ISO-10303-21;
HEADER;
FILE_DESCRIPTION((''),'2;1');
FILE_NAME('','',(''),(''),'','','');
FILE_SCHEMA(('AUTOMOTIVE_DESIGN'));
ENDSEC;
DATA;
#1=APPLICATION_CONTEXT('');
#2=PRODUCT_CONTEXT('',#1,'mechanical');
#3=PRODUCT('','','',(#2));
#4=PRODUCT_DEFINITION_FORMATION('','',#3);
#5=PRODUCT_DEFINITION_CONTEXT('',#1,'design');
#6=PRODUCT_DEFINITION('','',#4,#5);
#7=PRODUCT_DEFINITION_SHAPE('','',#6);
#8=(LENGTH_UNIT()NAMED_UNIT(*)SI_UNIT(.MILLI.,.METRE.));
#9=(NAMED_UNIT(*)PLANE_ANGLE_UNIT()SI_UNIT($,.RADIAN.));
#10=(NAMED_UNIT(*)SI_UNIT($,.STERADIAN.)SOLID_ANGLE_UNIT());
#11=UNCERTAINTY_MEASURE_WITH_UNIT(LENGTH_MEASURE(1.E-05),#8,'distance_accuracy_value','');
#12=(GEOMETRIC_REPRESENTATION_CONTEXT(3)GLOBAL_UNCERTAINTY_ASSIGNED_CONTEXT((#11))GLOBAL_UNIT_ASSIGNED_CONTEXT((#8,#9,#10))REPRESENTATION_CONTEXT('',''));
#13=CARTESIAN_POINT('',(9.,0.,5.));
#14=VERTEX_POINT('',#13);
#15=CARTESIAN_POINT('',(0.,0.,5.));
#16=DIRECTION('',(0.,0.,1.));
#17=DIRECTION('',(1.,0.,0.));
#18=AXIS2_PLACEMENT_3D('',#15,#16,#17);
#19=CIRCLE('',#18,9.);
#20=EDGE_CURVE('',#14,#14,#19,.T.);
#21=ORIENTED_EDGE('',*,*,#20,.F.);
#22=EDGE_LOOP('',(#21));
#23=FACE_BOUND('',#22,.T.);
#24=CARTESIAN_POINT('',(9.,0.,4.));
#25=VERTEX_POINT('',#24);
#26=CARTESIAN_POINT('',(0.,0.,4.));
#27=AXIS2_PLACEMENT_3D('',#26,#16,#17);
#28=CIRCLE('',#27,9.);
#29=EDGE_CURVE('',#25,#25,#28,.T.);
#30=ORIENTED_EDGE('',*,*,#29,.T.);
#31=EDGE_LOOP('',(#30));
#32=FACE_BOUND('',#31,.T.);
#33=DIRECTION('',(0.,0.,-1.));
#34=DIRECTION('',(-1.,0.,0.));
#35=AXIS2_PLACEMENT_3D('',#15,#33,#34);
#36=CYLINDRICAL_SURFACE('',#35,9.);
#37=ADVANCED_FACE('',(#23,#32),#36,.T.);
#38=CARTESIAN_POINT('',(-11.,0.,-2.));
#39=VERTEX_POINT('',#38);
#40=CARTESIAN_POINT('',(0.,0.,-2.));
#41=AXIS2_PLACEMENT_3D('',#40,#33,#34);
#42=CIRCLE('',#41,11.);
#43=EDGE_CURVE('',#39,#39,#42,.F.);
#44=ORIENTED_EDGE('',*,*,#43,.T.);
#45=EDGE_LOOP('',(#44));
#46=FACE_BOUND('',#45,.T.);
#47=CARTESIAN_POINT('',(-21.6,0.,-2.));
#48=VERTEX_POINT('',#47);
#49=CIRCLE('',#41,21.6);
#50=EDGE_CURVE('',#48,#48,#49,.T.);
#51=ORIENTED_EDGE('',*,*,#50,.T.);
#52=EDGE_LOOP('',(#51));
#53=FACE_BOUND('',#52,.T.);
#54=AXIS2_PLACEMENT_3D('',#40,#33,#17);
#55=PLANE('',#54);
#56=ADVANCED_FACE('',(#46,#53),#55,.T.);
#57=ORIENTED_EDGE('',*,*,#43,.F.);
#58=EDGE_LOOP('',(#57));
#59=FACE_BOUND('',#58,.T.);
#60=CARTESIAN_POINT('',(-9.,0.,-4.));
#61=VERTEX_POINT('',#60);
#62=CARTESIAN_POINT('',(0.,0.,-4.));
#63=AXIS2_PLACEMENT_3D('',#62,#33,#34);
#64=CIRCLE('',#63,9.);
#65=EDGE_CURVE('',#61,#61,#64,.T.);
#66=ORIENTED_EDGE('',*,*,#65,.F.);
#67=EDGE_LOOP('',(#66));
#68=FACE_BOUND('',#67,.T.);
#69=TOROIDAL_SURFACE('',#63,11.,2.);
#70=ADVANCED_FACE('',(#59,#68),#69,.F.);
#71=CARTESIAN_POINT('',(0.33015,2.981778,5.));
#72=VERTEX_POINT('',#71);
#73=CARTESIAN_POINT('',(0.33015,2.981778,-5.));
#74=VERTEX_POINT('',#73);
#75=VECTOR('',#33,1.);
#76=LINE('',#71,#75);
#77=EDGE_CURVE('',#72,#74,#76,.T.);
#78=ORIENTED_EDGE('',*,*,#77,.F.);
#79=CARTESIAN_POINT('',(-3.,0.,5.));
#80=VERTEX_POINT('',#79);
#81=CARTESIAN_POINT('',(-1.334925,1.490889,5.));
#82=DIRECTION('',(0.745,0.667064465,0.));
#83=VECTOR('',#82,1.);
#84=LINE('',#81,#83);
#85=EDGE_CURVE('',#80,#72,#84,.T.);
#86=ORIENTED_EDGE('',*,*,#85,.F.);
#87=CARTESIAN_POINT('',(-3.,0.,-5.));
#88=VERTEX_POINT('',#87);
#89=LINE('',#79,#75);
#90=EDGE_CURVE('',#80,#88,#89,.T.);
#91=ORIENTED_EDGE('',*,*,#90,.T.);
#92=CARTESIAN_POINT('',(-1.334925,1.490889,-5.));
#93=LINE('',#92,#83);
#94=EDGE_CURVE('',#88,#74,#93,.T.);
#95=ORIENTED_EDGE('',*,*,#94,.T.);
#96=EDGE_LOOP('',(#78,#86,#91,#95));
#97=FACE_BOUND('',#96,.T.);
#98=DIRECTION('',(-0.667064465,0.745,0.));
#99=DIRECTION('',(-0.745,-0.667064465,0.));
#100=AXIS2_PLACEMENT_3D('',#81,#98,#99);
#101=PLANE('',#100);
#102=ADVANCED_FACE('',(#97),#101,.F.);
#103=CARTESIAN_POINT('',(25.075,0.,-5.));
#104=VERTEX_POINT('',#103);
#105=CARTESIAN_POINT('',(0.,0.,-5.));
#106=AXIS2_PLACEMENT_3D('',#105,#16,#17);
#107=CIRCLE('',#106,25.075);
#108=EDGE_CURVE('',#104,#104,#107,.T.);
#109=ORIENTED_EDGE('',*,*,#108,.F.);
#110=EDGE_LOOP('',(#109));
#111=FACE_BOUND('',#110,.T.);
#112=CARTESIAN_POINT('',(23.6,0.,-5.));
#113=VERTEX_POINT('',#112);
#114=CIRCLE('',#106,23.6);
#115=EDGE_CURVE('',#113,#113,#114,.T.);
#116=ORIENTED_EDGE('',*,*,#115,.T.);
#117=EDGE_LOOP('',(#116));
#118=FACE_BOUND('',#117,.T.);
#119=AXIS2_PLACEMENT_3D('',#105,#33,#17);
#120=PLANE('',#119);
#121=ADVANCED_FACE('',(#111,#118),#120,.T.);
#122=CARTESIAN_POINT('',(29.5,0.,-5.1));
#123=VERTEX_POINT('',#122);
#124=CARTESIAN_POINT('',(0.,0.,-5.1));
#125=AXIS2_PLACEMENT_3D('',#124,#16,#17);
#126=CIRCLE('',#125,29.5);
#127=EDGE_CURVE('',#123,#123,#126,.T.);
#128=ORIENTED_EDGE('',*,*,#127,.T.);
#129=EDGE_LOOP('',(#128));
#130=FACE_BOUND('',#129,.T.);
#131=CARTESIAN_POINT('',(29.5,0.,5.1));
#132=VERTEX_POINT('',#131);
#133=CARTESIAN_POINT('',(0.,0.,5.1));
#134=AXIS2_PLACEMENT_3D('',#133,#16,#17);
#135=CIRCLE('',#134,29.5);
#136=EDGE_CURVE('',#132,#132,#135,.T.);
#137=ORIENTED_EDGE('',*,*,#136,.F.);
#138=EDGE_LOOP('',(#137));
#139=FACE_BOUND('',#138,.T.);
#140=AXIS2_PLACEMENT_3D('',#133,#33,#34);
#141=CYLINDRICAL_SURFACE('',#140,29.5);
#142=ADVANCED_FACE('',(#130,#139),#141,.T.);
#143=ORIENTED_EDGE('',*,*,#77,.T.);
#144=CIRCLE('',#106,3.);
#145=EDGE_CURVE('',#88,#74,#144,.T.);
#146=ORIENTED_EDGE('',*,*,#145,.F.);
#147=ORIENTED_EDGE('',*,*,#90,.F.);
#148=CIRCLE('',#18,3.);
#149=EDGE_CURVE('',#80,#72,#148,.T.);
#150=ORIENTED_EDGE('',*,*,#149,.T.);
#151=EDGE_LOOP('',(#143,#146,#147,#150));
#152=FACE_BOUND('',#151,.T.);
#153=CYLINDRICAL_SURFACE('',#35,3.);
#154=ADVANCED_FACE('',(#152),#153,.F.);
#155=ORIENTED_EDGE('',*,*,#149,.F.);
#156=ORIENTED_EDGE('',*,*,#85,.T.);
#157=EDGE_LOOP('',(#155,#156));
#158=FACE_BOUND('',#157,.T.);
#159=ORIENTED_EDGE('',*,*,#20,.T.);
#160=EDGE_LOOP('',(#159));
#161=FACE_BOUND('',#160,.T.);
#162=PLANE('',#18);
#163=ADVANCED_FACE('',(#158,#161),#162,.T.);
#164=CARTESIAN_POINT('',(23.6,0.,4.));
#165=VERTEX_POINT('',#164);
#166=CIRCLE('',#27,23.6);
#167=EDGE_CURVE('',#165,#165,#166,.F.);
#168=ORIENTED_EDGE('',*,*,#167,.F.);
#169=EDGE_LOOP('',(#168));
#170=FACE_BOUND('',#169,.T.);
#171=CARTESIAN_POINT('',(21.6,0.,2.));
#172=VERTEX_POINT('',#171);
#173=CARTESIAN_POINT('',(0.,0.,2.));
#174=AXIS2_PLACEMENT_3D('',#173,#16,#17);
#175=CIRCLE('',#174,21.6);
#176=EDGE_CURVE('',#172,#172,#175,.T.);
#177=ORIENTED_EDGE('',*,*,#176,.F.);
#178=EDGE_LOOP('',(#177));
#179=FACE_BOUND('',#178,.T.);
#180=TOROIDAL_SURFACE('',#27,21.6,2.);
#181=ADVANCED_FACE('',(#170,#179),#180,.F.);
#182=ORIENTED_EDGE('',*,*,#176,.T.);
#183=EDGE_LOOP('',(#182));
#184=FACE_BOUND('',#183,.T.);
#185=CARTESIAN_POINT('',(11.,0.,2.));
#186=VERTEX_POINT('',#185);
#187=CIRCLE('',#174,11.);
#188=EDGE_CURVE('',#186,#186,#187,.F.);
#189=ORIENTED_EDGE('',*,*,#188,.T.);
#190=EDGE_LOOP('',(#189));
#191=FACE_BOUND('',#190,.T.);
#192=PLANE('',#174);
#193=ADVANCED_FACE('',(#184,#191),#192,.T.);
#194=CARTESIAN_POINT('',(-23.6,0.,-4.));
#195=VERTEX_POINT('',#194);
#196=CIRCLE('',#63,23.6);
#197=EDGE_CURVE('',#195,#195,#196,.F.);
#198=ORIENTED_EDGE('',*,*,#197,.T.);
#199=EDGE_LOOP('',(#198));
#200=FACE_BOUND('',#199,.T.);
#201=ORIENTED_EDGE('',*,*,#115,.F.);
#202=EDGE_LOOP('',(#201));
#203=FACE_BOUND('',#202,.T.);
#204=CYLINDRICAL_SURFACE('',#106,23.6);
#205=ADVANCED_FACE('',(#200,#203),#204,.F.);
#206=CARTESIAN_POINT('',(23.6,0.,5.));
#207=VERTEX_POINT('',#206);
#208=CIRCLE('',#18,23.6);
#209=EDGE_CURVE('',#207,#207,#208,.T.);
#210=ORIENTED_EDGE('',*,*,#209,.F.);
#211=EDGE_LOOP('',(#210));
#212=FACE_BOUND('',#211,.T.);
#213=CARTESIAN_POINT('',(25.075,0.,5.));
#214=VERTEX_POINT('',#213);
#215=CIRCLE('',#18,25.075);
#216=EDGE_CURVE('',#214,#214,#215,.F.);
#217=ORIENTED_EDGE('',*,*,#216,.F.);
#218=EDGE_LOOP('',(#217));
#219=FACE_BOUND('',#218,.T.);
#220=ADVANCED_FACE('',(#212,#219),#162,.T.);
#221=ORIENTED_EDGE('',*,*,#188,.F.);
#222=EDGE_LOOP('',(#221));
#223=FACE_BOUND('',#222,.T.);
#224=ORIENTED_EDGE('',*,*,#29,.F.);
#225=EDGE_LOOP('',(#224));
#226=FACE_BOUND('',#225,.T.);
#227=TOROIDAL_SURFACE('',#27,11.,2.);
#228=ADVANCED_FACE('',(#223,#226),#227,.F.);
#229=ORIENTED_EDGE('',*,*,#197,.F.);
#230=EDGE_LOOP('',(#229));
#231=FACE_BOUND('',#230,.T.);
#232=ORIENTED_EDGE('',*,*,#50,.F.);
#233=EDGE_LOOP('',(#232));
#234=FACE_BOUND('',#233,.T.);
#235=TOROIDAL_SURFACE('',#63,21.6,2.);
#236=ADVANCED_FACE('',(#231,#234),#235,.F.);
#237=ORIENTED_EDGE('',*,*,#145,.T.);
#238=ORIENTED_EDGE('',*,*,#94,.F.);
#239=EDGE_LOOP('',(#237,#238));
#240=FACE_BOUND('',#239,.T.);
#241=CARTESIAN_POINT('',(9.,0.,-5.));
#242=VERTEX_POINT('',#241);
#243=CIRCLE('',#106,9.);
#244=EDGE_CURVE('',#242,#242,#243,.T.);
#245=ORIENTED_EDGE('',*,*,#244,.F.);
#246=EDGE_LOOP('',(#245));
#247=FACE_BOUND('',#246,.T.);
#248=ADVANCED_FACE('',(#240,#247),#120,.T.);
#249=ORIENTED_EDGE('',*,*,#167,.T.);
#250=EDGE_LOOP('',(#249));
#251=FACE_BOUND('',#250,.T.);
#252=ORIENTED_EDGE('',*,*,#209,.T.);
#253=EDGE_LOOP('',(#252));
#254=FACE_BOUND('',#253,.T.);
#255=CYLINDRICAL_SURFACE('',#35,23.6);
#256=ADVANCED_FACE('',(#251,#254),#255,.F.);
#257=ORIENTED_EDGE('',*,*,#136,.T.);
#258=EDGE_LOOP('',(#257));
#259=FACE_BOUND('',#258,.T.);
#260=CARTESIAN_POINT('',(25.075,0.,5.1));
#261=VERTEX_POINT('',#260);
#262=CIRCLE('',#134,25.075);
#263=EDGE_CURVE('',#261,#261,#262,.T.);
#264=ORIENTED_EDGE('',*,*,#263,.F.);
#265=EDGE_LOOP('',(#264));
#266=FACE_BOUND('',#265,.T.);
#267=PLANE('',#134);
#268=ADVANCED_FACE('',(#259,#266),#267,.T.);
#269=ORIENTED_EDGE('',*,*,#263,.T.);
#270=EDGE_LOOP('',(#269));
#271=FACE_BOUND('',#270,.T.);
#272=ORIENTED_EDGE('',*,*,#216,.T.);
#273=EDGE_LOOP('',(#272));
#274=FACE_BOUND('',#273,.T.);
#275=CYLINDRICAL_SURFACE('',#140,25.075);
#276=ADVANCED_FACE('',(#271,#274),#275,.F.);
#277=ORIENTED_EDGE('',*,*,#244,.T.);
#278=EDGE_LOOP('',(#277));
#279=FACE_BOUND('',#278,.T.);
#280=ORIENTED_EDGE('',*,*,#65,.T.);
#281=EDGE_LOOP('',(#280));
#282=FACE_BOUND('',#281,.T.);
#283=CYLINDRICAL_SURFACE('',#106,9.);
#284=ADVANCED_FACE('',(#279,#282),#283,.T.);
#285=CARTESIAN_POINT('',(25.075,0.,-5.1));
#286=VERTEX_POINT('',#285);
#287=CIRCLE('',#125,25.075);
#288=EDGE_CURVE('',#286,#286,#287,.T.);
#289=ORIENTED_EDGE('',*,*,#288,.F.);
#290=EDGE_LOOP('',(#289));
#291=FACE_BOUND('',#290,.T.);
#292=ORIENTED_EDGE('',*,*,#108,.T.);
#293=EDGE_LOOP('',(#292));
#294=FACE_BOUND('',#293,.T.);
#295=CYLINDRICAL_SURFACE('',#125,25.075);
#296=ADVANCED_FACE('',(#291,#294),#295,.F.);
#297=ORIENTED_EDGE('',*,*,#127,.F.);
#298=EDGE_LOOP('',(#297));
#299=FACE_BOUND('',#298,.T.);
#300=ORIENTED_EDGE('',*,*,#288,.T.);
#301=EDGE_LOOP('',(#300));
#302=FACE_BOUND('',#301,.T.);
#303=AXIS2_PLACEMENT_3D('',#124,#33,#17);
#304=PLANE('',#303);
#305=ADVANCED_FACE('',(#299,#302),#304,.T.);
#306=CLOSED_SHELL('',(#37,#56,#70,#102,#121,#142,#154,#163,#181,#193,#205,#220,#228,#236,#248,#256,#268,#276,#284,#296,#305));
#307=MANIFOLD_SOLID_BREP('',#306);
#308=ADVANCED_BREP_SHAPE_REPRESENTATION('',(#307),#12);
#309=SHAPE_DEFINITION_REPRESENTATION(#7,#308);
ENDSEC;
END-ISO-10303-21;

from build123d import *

# Parameters (mm, degrees)
ESQUISSE1_R           = 9
BOSS_EXTRU_1_DEPTH    = 5
ESQUISSE1_R_2         = 25.075
ESQUISSE1_R_3         = 23.6
BOSS_EXTRU_1_2_DEPTH  = 5
ESQUISSE1_3_R         = 23.6
ESQUISSE1_3_R_2       = 9
BOSS_EXTRU_2_DEPTH    = 2
ESQUISSE1_4_R         = 29.5
ESQUISSE1_4_R_2       = 25.075
BOSS_EXTRU_3_DEPTH    = 5.1
CONG_1_R              = 2
CONG_1_OF_SYM_TRIE1_R = 2


with BuildPart() as part:
    # Esquisse1 → Boss.-Extru.1 (new body)
    with BuildSketch(Plane.XY):
        Circle(ESQUISSE1_R)
        with BuildLine():
            ThreePointArc((-3, 0), (2.001193394, -2.235), (0.33015, 2.981778157))
            Line((0.33015, 2.981778157), (-3, 0))
        make_face(mode=Mode.SUBTRACT)
    boss_extru_1 = extrude(amount=BOSS_EXTRU_1_DEPTH)



with BuildPart() as body_2:
    # Esquisse1 → Boss.-Extru.1 2 (new body)
    with BuildSketch(Plane.XY):
        Circle(ESQUISSE1_R_2)
        Circle(ESQUISSE1_R_3, mode=Mode.SUBTRACT)
    boss_extru_1_2 = extrude(amount=BOSS_EXTRU_1_2_DEPTH)


with BuildPart() as part_1:
    add(part.part)

    add(body_2.part)  # Boss.-Extru.2 merges body 2
    # Esquisse1<3> → Boss.-Extru.2 (add)
    with BuildSketch(Plane.XY):
        Circle(ESQUISSE1_3_R)
        Circle(ESQUISSE1_3_R_2, mode=Mode.SUBTRACT)
    boss_extru_2 = extrude(amount=BOSS_EXTRU_2_DEPTH)

    # Esquisse1<4> → Boss.-Extru.3 (add)
    with BuildSketch(Plane.XY):
        Circle(ESQUISSE1_4_R)
        Circle(ESQUISSE1_4_R_2, mode=Mode.SUBTRACT)
    boss_extru_3 = extrude(amount=BOSS_EXTRU_3_DEPTH)

    # Congé1
    cong_1_edges = [part_1.edges().sort_by_distance(p)[0] for p in [
        (-9, 0, 2),
        (-23.6, 0, 2),
    ]]
    fillet(cong_1_edges, radius=CONG_1_R)


with BuildPart() as sym_trie1_1:
    # Symétrie1: Boss.-Extru.1, Boss.-Extru.1 2, Boss.-Extru.2, Boss.-Extru.3 across Front Plane
    add(boss_extru_1.mirror(Plane.XY))
    add(boss_extru_1_2.mirror(Plane.XY))
    add(boss_extru_2.mirror(Plane.XY))
    add(boss_extru_3.mirror(Plane.XY))

    # Congé1 of Symétrie1
    cong_1_of_sym_trie1_edges = [sym_trie1_1.edges().sort_by_distance(p)[0] for p in [
        (-9, 0, -2),
        (-23.6, 0, -2),
    ]]
    fillet(cong_1_of_sym_trie1_edges, radius=CONG_1_OF_SYM_TRIE1_R)


with BuildPart() as part_2:
    add(part_1.part)

    # Symétrie1 united with what the copies to: union Symétrie1_1
    add(sym_trie1_1.part)


solid = part_2.part
